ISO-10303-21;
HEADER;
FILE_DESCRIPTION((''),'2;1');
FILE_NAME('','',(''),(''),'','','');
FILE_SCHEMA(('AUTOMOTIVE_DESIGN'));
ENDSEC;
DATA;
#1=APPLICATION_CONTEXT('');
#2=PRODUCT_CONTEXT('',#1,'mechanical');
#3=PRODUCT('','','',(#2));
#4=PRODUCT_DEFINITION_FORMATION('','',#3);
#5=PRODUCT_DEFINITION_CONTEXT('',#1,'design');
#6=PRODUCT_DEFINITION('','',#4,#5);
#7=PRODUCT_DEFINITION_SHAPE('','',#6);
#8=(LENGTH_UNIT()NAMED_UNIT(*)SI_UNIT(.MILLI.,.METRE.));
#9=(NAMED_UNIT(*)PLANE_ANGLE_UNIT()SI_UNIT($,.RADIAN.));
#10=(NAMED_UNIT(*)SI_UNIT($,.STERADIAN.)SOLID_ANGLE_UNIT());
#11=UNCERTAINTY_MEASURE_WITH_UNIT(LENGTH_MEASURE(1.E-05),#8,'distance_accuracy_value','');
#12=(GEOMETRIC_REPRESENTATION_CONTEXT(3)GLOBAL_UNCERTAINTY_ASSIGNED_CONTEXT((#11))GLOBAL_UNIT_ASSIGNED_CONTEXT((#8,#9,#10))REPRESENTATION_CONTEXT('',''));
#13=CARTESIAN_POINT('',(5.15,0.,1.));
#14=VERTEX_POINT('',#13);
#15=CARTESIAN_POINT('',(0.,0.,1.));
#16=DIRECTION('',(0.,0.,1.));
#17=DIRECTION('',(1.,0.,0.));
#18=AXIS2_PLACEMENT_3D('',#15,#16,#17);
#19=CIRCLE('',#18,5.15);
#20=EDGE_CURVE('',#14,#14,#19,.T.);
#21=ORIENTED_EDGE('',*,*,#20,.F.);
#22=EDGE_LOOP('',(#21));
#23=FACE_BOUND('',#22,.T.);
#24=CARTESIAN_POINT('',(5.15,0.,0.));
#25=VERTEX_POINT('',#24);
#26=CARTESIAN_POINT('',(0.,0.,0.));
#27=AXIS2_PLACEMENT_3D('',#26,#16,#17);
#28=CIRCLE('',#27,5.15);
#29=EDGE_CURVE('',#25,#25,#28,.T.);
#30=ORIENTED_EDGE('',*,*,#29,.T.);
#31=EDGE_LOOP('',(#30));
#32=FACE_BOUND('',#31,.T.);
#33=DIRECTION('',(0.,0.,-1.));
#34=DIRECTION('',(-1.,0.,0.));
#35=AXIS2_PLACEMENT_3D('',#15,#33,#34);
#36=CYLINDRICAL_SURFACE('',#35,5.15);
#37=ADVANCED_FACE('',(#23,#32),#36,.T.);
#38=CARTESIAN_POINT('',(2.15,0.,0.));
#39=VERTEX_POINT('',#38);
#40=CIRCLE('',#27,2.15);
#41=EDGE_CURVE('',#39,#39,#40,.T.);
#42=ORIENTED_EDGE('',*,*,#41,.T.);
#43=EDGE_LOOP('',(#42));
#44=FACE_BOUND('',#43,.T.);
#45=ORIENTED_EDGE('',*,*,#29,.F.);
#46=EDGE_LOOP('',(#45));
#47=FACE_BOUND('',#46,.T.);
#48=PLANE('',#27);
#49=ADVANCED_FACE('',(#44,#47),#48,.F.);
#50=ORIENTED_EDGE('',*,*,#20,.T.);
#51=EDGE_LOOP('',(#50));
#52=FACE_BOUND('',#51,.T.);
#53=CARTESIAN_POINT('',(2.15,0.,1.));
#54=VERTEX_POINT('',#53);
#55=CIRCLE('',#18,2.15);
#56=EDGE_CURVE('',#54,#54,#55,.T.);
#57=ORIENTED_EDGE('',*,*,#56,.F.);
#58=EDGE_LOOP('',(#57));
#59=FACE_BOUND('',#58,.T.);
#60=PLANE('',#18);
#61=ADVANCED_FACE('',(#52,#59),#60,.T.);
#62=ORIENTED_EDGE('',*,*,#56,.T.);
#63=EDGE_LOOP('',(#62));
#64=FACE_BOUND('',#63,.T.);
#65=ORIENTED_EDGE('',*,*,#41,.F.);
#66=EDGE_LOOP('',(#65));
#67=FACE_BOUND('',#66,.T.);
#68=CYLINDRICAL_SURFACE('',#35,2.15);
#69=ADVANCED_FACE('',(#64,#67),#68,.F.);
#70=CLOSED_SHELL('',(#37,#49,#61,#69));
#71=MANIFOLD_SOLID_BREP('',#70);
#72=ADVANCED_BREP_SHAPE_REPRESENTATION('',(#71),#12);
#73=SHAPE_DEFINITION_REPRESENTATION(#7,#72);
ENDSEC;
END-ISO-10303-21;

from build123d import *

# Parameters (mm, degrees)
ESBO_O1_R                = 5.15
ESBO_O1_R_2              = 2.15
RESSALTO_EXTRUS_O1_DEPTH = 1


with BuildPart() as part:
    # Esboço1 → Ressalto-extrusão1 (new body)
    with BuildSketch(Plane.XY):
        Circle(ESBO_O1_R)
        Circle(ESBO_O1_R_2, mode=Mode.SUBTRACT)
    extrude(amount=RESSALTO_EXTRUS_O1_DEPTH)


solid = part.part
